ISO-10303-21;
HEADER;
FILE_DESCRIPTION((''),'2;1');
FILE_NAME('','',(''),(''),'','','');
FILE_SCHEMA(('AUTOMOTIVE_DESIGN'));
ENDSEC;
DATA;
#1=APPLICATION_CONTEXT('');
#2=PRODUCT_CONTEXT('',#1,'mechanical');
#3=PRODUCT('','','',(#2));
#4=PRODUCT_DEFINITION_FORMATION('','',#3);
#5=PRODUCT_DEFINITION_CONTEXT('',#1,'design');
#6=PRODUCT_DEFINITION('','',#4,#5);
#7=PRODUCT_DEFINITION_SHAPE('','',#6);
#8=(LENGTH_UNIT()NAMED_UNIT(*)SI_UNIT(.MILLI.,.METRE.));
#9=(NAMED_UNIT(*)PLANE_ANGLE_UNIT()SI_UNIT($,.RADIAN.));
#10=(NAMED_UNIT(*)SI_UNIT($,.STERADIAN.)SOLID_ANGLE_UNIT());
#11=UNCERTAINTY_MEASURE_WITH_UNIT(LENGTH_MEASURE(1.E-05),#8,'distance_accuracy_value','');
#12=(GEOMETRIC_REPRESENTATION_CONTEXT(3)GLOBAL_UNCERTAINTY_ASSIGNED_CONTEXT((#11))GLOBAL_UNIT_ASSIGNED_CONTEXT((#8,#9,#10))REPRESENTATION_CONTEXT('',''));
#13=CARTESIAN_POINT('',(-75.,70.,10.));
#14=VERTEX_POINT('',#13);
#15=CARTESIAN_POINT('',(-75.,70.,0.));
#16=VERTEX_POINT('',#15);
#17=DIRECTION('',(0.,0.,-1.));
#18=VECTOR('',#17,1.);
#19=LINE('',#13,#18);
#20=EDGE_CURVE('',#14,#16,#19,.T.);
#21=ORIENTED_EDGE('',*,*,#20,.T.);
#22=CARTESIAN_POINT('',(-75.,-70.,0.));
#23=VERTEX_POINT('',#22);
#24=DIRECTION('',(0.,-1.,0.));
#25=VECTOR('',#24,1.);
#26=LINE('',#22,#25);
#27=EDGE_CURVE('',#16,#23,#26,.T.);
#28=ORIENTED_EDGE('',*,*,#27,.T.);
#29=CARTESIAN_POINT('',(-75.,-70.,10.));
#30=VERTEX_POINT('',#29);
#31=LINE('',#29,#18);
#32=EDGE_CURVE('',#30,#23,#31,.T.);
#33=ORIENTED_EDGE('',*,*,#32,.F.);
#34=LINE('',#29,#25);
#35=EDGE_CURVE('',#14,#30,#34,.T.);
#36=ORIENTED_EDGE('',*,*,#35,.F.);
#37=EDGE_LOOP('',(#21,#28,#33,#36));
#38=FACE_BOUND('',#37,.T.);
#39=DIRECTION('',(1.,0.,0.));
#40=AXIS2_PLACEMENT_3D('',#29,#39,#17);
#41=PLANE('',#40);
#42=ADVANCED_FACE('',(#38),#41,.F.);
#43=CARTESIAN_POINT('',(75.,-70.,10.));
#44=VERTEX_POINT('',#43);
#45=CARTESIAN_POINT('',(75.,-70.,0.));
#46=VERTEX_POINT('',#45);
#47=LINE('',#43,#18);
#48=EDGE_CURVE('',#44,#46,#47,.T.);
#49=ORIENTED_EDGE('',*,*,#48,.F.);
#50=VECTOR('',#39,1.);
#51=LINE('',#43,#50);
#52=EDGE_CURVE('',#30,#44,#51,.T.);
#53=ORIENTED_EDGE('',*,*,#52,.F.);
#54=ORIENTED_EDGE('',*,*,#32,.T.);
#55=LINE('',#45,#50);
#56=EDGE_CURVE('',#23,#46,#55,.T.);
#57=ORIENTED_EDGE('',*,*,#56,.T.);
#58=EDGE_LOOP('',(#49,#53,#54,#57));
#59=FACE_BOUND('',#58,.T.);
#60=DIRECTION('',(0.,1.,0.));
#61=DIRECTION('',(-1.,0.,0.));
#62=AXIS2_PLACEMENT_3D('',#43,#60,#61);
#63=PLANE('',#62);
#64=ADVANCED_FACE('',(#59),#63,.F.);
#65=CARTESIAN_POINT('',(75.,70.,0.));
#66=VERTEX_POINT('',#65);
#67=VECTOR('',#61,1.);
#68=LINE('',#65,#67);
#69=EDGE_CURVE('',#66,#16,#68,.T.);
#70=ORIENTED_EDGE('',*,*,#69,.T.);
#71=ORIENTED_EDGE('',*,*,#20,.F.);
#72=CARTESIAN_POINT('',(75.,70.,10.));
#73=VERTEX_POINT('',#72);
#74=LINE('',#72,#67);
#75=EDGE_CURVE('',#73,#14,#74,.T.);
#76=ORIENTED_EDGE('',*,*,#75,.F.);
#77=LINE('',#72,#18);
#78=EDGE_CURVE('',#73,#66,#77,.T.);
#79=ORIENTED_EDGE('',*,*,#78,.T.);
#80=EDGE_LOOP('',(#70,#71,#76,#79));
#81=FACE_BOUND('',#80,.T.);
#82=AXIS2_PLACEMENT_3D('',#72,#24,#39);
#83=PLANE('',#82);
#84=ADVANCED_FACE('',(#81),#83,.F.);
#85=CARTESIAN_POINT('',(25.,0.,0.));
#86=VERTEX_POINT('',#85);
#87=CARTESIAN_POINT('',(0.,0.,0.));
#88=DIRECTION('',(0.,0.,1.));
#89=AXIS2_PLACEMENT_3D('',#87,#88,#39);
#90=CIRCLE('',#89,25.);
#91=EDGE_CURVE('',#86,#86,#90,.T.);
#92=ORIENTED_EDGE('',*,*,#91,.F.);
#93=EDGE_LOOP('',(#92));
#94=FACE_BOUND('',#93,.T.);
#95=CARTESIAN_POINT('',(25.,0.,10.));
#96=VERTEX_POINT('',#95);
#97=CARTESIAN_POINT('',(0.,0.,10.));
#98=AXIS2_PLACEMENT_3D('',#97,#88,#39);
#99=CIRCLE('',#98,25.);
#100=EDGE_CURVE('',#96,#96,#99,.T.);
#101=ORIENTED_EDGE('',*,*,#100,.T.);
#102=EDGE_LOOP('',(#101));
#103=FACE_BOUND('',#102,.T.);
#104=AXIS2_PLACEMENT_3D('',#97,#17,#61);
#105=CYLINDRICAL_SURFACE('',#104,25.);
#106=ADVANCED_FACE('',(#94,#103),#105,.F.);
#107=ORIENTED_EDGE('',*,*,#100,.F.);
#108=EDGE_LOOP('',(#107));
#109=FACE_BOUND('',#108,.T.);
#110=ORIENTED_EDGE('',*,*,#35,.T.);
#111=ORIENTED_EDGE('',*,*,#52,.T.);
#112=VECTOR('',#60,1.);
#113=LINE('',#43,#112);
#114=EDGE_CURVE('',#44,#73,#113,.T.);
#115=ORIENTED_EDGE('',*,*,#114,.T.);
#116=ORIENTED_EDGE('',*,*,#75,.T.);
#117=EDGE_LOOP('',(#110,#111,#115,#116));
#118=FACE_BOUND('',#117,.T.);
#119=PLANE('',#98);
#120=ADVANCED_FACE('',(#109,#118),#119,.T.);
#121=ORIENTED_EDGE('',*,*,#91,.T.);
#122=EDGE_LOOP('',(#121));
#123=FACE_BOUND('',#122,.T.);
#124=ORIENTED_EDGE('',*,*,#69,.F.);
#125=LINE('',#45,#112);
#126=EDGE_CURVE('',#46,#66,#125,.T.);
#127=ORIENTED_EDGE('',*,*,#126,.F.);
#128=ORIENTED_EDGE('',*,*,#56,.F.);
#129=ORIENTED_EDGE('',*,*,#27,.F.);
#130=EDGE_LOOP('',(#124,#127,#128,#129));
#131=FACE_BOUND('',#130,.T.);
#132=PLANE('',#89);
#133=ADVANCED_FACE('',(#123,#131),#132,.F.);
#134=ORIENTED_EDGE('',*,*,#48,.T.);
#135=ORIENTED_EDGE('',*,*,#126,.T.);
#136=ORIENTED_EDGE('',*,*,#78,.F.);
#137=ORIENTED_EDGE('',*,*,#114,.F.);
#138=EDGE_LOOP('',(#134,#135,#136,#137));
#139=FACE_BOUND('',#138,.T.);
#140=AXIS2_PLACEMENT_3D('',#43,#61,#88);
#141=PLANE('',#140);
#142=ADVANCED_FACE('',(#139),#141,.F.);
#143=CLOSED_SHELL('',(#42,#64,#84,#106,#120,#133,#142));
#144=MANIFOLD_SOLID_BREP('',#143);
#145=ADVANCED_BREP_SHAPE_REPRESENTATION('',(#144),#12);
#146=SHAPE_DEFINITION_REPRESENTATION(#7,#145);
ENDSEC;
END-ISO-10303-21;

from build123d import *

# Parameters (mm, degrees)
SKETCH1_W           = 150
SKETCH1_H           = 140
SKETCH1_R           = 25
BOSS_EXTRUDE1_DEPTH = 10


with BuildPart() as part:
    # Sketch1 → Boss-Extrude1 (new body)
    with BuildSketch(Plane.XY):
        Rectangle(SKETCH1_W, SKETCH1_H)
        Circle(SKETCH1_R, mode=Mode.SUBTRACT)
    extrude(amount=BOSS_EXTRUDE1_DEPTH)


solid = part.part
